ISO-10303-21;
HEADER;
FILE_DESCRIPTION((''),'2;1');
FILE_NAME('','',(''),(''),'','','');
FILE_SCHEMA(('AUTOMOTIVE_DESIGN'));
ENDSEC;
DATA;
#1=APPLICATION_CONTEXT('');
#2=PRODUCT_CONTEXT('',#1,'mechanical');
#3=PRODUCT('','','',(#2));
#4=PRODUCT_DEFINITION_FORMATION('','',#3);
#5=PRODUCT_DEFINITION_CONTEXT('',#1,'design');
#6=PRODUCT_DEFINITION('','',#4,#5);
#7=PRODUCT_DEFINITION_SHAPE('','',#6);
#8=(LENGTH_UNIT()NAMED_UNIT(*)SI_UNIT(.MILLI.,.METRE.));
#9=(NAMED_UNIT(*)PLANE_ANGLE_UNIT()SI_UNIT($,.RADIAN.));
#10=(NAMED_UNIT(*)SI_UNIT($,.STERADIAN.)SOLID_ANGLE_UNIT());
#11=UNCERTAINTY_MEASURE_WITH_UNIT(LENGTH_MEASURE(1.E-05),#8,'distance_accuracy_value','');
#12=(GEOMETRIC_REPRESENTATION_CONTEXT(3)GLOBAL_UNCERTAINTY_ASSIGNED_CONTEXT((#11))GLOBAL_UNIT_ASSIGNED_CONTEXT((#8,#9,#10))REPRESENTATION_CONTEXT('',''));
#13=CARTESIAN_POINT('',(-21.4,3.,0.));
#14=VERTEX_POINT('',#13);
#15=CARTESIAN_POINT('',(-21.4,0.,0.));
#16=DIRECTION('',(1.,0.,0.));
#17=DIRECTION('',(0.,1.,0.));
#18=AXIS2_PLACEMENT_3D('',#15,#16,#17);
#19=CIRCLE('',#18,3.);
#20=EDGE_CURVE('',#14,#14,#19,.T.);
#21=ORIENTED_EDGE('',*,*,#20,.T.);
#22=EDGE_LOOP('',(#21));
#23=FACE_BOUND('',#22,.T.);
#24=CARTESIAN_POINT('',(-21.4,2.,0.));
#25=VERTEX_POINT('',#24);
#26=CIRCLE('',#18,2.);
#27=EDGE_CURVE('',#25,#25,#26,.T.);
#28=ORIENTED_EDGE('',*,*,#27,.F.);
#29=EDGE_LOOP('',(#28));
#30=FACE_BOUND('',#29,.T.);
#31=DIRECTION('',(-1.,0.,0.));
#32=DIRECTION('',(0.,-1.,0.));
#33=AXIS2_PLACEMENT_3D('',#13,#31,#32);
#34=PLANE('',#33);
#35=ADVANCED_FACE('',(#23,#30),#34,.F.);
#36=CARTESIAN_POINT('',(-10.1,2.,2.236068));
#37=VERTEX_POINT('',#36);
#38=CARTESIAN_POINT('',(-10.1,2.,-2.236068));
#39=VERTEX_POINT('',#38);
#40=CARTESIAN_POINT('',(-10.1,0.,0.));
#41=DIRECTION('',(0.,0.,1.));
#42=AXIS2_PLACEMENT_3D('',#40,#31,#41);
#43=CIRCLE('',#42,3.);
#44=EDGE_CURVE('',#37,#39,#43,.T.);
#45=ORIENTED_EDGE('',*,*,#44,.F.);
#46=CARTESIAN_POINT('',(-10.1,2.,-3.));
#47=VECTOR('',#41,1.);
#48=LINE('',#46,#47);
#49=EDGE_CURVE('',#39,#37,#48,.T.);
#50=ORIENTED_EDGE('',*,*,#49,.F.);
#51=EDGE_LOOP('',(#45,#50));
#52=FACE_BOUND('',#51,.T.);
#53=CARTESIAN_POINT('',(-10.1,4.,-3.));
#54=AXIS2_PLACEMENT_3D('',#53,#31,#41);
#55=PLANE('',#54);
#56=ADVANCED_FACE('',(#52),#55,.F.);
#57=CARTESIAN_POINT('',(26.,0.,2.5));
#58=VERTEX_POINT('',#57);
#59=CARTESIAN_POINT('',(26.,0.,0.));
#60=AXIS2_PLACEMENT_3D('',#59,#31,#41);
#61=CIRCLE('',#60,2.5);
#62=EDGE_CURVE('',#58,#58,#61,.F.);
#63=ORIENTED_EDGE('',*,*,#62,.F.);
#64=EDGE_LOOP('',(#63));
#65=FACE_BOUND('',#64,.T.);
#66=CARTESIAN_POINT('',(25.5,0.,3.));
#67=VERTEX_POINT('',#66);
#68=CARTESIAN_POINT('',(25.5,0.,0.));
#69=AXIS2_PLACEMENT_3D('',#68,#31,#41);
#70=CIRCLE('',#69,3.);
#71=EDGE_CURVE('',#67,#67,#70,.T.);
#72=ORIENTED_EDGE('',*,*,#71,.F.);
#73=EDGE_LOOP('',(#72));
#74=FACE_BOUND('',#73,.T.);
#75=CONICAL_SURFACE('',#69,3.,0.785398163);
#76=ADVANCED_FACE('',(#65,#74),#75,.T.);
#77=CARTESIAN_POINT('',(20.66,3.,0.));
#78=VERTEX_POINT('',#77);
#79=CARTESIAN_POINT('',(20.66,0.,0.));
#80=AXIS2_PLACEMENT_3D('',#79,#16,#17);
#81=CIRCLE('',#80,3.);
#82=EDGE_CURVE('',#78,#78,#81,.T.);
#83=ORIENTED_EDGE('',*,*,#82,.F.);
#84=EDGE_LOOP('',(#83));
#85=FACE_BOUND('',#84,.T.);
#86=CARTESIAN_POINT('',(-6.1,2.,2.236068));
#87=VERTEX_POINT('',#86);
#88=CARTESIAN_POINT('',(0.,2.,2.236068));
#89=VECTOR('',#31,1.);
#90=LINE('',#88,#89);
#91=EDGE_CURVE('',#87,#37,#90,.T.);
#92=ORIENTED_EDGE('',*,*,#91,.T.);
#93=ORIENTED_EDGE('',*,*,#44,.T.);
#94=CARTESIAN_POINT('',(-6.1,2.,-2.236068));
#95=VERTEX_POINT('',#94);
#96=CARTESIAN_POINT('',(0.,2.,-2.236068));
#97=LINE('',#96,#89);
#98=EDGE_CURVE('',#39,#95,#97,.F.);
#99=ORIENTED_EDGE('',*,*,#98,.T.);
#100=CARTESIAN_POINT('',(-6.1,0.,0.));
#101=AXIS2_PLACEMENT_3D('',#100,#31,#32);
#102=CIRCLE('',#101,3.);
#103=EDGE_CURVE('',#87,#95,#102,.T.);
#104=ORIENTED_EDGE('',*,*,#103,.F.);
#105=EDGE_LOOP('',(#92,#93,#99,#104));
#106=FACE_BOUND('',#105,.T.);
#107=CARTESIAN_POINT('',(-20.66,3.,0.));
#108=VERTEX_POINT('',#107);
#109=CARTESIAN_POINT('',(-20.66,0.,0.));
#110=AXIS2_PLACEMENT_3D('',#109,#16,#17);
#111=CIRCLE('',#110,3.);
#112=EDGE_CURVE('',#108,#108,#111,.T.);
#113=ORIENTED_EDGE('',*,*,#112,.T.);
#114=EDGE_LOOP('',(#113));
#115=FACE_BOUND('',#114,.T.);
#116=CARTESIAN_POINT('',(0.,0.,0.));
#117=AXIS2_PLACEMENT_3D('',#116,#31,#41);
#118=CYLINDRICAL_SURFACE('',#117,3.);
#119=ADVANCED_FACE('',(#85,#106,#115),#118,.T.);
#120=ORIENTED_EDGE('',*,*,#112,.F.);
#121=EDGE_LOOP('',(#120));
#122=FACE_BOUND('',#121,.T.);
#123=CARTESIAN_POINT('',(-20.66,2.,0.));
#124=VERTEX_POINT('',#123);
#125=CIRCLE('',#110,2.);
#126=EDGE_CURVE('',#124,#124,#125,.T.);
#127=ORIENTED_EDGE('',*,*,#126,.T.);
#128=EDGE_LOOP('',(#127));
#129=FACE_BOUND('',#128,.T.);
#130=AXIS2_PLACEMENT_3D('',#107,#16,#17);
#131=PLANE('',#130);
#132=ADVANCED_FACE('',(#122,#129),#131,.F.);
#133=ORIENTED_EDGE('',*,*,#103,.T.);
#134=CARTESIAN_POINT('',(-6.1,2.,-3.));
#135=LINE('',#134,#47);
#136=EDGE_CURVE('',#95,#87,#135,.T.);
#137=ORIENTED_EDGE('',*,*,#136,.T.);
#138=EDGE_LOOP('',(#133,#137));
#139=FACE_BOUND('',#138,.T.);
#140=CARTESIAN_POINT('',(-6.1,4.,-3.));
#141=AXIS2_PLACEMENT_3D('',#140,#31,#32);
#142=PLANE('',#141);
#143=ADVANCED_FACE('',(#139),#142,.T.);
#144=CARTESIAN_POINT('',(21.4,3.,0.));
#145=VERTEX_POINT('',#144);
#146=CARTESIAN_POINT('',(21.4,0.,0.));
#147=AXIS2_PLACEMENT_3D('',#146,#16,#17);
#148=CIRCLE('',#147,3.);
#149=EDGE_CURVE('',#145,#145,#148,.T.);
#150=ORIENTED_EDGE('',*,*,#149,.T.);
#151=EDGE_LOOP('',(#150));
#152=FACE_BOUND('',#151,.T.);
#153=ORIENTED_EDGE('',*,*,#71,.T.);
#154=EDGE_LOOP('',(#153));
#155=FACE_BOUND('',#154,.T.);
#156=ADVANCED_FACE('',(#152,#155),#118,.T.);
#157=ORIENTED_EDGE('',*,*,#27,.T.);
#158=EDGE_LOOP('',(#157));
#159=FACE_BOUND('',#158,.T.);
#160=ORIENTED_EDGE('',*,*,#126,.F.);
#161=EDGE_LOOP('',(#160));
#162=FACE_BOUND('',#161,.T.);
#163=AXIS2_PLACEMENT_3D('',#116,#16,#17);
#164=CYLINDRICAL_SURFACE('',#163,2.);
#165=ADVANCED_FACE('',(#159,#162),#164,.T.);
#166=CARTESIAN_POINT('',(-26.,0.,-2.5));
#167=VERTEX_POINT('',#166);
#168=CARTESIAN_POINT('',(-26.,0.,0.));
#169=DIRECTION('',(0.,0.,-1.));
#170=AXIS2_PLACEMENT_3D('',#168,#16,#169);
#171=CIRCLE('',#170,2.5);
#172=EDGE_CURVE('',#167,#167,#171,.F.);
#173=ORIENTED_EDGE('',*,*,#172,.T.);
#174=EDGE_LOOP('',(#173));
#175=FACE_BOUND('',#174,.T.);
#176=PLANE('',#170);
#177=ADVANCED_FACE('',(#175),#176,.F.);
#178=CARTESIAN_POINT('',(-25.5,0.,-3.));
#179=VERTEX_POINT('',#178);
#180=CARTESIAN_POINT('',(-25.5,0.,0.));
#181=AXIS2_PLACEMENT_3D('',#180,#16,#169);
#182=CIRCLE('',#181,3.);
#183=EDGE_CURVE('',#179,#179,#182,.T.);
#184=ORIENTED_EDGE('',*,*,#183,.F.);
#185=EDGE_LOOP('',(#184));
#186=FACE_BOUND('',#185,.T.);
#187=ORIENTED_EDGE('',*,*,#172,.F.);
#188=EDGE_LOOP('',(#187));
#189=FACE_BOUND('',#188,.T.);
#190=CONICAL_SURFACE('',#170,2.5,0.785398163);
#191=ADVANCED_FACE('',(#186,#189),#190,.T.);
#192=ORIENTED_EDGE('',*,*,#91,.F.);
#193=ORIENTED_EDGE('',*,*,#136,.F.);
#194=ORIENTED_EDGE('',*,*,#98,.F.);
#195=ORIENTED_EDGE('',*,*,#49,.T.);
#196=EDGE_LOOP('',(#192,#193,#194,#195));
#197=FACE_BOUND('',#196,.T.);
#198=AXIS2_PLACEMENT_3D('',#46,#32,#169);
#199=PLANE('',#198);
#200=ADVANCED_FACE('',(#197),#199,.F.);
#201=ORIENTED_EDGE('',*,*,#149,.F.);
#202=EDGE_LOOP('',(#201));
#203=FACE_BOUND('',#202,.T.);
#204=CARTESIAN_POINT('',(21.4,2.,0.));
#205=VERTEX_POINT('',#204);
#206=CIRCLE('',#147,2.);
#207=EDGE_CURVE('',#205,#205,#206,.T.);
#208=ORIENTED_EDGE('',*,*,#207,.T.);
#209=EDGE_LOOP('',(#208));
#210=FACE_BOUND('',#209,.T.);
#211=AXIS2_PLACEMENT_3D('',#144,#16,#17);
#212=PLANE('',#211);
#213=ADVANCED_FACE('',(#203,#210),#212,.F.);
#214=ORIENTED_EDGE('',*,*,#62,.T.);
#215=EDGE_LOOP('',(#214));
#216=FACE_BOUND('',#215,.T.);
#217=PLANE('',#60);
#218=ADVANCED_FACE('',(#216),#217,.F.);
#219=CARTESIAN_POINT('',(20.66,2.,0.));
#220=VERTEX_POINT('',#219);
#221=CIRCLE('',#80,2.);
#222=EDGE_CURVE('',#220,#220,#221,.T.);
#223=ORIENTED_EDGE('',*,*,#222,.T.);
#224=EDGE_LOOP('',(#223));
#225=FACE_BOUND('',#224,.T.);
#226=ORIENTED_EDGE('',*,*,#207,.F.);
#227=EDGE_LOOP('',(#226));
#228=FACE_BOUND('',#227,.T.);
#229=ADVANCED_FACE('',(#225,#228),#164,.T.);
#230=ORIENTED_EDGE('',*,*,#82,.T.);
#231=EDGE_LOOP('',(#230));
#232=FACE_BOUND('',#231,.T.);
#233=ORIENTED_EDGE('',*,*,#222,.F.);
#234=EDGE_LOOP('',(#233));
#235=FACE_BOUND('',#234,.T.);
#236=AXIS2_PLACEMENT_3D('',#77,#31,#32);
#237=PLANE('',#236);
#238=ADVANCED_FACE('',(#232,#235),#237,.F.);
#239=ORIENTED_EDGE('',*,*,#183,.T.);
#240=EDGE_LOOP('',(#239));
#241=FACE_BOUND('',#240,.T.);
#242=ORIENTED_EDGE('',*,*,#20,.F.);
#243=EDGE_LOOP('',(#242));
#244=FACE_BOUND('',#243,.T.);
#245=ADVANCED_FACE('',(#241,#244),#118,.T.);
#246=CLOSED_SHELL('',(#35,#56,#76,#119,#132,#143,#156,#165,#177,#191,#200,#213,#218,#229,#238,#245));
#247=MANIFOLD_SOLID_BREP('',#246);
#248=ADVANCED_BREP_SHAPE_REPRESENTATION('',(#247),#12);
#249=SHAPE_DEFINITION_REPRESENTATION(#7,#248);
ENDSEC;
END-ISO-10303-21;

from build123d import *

# Parameters (mm, degrees)
ESQUISSE1_W                  = 52
ESQUISSE1_H                  = 3
CHANFREIN1_SIZE              = 0.5
ENL_V_MAT_EXTRU_1_DEPTH      = 27.343879745
ENL_V_MAT_EXTRU_1_DEPTH_BACK = 27.343879745
ESQUISSE2_W                  = 4
ESQUISSE2_H                  = 2
ESQUISSE3_W                  = 0.74
ESQUISSE3_H                  = 1


with BuildPart() as part:
    # Esquisse1 → Révolution1 (revolve)
    with BuildSketch(Plane.XY, mode=Mode.PRIVATE) as r_volution1_sk:
        with Locations((0, 1.5)):
            Rectangle(ESQUISSE1_W, ESQUISSE1_H)
    revolve(r_volution1_sk.sketch.rotate(Axis((0, 0, 0), (1, 0, 0)), 90), axis=Axis((0, 0, 0), (1, 0, 0)))

    # Chanfrein1
    chanfrein1_edges = [part.edges().sort_by_distance(p)[0] for p in [
        (26, 0, -3),
        (-26, 0, -3),
    ]]
    chamfer(chanfrein1_edges, length=CHANFREIN1_SIZE)

    # Esquisse2 → Enlèv. mat.-Extru.1 (cut, two sides: drawn at the far end of the back side and taken through both)
    with BuildSketch(Plane.XY.offset(-ENL_V_MAT_EXTRU_1_DEPTH_BACK)):
        with Locations((-8.1, 3)):
            Rectangle(ESQUISSE2_W, ESQUISSE2_H)
    extrude(amount=ENL_V_MAT_EXTRU_1_DEPTH + ENL_V_MAT_EXTRU_1_DEPTH_BACK, mode=Mode.SUBTRACT)

    # Esquisse3 → Enlèvement de matière-Révolution1 (revolve, cut)
    with BuildSketch(Plane.XY):
        with Locations((-21.03, 2.5)):
            Rectangle(ESQUISSE3_W, ESQUISSE3_H)
        with Locations((21.03, 2.5)):
            Rectangle(ESQUISSE3_W, ESQUISSE3_H)
    revolve(axis=Axis((0, 0, 0), (-1, 0, 0)), mode=Mode.SUBTRACT)


solid = part.part
